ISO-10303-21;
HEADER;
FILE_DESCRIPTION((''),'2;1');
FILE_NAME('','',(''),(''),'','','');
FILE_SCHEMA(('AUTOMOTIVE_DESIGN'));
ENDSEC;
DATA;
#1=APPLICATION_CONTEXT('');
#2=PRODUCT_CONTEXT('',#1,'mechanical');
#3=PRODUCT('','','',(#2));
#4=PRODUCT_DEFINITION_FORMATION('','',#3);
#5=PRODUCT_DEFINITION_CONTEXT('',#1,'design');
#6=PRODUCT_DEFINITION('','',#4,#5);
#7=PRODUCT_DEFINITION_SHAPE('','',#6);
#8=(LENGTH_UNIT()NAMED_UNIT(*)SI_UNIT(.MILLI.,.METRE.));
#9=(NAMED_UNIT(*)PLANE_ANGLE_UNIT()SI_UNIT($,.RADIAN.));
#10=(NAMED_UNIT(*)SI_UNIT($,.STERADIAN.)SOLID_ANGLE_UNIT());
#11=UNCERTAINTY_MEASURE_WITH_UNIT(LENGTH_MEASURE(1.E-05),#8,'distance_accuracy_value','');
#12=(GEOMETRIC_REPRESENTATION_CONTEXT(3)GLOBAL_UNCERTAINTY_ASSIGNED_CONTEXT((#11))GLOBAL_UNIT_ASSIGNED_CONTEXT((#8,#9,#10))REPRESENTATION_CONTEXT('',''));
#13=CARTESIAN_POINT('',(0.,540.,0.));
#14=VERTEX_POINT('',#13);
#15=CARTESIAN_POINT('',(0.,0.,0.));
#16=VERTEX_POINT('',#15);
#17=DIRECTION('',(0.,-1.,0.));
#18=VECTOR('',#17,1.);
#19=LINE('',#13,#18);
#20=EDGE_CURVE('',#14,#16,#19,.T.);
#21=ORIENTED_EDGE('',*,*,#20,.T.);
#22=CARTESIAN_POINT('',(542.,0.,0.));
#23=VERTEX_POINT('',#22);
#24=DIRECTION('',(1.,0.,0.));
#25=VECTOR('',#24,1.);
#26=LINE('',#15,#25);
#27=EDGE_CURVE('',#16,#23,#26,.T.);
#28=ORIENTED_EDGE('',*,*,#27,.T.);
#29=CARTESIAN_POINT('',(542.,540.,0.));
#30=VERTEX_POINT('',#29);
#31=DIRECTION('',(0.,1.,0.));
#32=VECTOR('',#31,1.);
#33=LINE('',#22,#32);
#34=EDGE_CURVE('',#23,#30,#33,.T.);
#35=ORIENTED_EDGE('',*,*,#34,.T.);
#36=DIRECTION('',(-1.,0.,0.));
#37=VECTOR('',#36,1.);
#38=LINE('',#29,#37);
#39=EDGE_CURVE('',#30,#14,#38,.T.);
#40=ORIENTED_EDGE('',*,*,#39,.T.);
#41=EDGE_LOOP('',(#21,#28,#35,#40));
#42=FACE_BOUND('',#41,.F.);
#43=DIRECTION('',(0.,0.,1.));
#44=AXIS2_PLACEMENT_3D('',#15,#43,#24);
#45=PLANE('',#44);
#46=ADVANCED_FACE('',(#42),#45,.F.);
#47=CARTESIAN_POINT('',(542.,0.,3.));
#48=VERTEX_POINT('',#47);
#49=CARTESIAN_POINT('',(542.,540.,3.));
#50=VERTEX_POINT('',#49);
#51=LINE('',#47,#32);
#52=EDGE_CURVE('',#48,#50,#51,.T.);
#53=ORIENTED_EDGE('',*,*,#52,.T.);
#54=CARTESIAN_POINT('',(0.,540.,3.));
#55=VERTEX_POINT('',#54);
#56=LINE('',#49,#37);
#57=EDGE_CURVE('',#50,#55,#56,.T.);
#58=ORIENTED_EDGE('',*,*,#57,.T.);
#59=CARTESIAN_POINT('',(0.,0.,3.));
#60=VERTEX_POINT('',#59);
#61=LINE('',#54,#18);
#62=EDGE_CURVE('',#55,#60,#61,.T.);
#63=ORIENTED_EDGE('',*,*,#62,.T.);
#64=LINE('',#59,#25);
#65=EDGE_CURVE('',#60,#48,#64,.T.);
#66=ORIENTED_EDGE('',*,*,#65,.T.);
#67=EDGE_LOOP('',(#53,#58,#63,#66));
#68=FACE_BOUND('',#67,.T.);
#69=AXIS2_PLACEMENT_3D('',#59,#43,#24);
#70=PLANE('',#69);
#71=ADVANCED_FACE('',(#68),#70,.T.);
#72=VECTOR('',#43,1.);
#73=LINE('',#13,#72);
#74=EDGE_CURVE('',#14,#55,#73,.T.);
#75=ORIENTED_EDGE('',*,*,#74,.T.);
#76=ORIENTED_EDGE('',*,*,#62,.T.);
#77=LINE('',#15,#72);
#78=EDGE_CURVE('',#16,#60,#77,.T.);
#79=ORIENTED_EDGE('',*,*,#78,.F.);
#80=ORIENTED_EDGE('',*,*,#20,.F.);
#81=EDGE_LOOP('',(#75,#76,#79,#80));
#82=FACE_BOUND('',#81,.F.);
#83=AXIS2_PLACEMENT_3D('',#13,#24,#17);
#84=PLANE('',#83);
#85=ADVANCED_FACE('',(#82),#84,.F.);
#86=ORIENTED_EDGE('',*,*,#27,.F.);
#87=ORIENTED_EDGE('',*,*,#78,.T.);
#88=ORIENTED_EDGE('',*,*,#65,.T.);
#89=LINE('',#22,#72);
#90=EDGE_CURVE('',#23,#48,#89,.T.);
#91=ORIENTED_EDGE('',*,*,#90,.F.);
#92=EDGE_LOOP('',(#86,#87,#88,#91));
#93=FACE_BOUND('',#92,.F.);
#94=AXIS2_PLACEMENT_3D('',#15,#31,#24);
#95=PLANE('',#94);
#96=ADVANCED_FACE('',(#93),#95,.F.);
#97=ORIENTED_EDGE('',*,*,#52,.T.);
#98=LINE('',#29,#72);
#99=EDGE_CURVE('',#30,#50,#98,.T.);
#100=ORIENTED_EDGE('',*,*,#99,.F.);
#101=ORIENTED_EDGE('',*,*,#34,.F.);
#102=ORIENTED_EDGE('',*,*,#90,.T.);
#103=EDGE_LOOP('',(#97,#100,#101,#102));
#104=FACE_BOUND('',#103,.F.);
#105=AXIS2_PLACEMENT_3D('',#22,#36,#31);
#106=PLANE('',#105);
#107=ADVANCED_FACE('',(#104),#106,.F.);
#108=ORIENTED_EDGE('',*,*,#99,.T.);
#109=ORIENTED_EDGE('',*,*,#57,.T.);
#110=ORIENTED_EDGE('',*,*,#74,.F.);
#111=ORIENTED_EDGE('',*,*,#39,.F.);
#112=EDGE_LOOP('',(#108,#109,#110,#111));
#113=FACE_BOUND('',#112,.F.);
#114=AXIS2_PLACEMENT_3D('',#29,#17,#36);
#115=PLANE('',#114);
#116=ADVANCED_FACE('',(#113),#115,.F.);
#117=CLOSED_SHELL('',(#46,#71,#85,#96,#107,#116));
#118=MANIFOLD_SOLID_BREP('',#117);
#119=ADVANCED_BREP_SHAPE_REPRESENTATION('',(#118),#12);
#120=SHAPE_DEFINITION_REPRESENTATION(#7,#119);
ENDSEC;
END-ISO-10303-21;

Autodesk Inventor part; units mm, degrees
ref_plane "YZ Plane" through (0, 0, 0) normal (1, 0, 0) x (0, 1, 0)
ref_plane "XZ Plane" through (0, 0, 0) normal (0, 1, 0) x (-1, 0, 0)
ref_plane "XY Plane" through (0, 0, 0) normal (0, 0, 1) x (1, 0, 0)
sketch "Sketch1" plane through (0, 0, 0) normal (0, 0, 1) x (1, 0, 0)
  line L0 (0, 0) -> (542, 0)
  line L1 (542, 0) -> (542, 540)
  line L2 (542, 540) -> (0, 540)
  line L3 (0, 540) -> (0, 0)
  dimension "d0" = 542
  dimension "d1" = 540
extrude "Extrusion1" add sketch "Sketch1" along normal blind 3
properties part number "plate_front" material "Polystyrene"
